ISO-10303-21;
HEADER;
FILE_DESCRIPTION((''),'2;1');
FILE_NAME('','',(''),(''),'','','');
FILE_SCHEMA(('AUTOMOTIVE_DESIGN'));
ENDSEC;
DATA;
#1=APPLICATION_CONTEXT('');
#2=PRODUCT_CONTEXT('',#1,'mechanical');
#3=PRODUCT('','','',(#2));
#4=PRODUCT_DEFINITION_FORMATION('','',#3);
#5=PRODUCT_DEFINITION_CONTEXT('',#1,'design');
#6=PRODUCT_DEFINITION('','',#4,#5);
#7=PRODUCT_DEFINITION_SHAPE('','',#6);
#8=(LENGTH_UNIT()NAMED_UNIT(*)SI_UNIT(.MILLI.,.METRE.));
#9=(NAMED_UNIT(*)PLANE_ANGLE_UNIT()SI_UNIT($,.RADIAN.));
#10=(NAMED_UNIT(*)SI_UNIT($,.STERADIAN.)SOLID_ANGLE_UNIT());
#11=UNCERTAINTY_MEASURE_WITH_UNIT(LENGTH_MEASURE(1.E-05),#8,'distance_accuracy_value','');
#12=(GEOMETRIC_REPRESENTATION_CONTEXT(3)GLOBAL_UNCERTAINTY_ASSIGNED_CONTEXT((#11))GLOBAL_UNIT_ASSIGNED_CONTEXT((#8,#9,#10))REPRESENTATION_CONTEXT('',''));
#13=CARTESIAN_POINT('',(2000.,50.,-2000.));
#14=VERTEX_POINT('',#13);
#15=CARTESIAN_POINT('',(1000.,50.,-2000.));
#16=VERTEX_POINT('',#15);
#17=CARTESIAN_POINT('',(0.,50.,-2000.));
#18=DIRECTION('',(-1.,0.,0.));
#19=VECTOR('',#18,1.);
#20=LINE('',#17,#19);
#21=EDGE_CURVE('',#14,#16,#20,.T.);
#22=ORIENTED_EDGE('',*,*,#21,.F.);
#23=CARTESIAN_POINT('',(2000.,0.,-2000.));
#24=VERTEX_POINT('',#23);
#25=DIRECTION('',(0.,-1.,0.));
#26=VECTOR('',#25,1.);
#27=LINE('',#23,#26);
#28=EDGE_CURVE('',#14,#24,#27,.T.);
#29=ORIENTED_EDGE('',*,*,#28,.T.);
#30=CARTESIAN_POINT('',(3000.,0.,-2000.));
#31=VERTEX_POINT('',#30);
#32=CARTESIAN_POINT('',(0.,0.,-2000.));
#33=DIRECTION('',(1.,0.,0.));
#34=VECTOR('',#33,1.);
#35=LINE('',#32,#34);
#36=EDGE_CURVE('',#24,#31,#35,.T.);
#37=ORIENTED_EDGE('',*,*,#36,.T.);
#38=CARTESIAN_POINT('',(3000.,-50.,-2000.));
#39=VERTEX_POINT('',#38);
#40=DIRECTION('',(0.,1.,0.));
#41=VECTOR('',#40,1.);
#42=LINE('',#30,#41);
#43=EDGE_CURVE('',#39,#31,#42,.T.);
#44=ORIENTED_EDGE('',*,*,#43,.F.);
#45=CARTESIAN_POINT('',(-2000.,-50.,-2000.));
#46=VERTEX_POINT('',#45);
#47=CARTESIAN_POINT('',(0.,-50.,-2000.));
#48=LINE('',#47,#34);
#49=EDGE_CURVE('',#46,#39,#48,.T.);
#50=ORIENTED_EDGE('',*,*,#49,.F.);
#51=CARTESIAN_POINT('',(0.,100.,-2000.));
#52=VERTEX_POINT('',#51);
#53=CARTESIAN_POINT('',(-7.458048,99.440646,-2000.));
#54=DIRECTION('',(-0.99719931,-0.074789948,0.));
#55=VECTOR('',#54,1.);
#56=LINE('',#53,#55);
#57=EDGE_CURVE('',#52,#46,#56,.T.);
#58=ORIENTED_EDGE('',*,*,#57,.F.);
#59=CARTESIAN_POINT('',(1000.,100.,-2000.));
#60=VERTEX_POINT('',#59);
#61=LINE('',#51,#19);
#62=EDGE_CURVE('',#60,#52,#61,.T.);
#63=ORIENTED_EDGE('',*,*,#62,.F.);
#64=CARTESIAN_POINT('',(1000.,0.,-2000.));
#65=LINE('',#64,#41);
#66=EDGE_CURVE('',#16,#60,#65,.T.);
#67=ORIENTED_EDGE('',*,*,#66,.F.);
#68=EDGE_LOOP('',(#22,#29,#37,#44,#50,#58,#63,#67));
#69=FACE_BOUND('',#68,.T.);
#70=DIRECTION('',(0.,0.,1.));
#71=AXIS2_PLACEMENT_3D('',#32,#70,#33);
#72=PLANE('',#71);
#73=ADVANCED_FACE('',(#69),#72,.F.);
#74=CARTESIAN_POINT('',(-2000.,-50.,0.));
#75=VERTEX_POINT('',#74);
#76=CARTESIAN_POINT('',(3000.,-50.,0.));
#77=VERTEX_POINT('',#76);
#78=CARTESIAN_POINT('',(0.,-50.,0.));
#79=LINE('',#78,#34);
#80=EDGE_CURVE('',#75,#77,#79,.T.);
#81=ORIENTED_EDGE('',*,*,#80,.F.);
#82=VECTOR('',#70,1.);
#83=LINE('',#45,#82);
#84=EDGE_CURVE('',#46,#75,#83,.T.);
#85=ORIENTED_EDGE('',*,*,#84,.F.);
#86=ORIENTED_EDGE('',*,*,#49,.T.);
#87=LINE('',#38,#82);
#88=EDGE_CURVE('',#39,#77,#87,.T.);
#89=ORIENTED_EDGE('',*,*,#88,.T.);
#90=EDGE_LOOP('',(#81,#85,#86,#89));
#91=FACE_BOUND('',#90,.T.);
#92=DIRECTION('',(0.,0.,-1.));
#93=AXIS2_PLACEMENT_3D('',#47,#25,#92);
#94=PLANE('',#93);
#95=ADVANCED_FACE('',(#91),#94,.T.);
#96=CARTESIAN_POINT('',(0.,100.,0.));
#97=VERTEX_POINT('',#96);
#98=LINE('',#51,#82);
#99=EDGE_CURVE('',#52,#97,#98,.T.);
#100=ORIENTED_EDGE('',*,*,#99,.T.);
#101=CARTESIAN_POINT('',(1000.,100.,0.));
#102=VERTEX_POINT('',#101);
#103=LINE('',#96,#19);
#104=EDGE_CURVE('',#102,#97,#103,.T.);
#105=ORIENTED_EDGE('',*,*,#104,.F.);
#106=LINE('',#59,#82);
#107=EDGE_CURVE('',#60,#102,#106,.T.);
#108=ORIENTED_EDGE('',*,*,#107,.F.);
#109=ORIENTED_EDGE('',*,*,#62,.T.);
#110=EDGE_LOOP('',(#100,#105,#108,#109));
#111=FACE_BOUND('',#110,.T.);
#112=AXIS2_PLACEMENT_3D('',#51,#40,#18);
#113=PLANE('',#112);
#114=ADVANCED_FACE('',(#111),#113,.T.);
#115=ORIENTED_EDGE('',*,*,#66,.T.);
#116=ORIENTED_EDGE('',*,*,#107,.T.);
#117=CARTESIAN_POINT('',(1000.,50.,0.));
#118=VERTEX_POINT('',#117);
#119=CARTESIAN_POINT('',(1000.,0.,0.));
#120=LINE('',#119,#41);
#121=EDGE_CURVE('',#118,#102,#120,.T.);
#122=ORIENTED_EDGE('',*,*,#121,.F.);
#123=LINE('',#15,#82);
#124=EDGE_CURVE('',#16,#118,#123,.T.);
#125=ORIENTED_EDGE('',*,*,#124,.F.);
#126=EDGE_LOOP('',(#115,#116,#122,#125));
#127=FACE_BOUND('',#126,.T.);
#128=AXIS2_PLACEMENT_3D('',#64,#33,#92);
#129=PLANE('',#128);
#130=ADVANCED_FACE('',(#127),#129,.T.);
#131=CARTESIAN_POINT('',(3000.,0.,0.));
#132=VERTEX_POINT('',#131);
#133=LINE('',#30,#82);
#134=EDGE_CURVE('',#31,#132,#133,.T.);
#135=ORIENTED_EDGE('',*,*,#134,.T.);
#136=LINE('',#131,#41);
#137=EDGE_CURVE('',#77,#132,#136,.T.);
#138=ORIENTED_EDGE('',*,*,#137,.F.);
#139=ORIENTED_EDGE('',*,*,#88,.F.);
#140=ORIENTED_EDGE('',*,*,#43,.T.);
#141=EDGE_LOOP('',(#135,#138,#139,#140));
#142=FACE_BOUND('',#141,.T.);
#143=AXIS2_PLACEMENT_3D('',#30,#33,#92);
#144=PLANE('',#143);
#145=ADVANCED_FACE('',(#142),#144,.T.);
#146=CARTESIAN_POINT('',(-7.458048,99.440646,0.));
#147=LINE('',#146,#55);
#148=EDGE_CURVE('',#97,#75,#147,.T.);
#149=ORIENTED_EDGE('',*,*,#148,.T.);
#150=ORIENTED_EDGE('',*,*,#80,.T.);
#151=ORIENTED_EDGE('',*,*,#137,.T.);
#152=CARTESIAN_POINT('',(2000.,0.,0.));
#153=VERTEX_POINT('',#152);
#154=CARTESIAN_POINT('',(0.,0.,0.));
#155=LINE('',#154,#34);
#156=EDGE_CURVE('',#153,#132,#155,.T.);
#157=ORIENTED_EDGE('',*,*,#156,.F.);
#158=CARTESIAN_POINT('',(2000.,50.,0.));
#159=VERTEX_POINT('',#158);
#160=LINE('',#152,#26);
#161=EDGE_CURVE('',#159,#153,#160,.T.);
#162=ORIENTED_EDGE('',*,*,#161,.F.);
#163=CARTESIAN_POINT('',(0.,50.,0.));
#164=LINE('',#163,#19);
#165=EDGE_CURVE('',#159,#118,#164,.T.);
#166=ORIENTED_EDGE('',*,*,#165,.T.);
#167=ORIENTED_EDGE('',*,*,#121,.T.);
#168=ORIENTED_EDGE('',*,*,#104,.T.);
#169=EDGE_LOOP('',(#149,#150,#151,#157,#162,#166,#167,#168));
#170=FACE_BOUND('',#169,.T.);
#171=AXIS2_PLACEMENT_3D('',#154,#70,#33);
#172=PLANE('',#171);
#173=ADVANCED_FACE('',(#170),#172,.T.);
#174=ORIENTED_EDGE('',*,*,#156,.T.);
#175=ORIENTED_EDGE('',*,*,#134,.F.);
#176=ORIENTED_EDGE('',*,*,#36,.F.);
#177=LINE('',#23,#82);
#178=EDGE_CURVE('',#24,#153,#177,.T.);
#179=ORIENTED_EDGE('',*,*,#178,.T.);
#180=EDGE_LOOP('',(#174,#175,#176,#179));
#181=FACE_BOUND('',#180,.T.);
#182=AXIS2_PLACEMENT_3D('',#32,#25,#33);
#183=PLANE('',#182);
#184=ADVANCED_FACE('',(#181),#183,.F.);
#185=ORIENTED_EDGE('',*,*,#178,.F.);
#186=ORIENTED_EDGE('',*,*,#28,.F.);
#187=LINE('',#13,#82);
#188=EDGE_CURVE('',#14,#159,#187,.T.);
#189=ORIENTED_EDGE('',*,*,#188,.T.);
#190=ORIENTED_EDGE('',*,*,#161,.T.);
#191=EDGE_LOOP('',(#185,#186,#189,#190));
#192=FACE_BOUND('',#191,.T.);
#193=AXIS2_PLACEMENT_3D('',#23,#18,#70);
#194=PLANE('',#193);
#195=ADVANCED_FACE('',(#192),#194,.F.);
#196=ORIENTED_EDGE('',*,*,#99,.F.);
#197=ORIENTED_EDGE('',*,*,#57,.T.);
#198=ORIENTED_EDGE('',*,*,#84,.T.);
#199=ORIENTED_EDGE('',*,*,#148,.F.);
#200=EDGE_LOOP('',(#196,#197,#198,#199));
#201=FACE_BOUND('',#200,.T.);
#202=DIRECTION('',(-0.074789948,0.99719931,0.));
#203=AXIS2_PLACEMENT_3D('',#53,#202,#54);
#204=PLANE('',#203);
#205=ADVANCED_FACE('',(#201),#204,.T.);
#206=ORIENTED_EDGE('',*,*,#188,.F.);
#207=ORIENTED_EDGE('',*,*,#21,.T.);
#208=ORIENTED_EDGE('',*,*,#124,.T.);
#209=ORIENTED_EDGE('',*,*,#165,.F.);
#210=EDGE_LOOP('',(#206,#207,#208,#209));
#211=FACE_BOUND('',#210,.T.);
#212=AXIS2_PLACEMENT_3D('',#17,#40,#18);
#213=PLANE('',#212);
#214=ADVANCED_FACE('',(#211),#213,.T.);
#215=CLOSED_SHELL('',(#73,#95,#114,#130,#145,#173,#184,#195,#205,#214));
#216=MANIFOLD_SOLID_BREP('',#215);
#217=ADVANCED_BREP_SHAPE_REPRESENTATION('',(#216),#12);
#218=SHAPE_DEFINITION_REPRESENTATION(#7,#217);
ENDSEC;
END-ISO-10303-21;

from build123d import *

# Parameters (mm, degrees)
BOSS_EXTRUDE3_DEPTH = 2000


with BuildPart() as part:
    # Sketch1 → Boss-Extrude3 (new body)
    with BuildSketch(Plane.XY):
        Polygon((0, -50), (3000, -50), (3000, 0), (2000, 0), (2000, 50), (1000, 50), (1000, 100), (0, 100), align=None)
        Polygon((0, 100), (-2000, -50), (0, -50), align=None)
    extrude(amount=-BOSS_EXTRUDE3_DEPTH)


solid = part.part
